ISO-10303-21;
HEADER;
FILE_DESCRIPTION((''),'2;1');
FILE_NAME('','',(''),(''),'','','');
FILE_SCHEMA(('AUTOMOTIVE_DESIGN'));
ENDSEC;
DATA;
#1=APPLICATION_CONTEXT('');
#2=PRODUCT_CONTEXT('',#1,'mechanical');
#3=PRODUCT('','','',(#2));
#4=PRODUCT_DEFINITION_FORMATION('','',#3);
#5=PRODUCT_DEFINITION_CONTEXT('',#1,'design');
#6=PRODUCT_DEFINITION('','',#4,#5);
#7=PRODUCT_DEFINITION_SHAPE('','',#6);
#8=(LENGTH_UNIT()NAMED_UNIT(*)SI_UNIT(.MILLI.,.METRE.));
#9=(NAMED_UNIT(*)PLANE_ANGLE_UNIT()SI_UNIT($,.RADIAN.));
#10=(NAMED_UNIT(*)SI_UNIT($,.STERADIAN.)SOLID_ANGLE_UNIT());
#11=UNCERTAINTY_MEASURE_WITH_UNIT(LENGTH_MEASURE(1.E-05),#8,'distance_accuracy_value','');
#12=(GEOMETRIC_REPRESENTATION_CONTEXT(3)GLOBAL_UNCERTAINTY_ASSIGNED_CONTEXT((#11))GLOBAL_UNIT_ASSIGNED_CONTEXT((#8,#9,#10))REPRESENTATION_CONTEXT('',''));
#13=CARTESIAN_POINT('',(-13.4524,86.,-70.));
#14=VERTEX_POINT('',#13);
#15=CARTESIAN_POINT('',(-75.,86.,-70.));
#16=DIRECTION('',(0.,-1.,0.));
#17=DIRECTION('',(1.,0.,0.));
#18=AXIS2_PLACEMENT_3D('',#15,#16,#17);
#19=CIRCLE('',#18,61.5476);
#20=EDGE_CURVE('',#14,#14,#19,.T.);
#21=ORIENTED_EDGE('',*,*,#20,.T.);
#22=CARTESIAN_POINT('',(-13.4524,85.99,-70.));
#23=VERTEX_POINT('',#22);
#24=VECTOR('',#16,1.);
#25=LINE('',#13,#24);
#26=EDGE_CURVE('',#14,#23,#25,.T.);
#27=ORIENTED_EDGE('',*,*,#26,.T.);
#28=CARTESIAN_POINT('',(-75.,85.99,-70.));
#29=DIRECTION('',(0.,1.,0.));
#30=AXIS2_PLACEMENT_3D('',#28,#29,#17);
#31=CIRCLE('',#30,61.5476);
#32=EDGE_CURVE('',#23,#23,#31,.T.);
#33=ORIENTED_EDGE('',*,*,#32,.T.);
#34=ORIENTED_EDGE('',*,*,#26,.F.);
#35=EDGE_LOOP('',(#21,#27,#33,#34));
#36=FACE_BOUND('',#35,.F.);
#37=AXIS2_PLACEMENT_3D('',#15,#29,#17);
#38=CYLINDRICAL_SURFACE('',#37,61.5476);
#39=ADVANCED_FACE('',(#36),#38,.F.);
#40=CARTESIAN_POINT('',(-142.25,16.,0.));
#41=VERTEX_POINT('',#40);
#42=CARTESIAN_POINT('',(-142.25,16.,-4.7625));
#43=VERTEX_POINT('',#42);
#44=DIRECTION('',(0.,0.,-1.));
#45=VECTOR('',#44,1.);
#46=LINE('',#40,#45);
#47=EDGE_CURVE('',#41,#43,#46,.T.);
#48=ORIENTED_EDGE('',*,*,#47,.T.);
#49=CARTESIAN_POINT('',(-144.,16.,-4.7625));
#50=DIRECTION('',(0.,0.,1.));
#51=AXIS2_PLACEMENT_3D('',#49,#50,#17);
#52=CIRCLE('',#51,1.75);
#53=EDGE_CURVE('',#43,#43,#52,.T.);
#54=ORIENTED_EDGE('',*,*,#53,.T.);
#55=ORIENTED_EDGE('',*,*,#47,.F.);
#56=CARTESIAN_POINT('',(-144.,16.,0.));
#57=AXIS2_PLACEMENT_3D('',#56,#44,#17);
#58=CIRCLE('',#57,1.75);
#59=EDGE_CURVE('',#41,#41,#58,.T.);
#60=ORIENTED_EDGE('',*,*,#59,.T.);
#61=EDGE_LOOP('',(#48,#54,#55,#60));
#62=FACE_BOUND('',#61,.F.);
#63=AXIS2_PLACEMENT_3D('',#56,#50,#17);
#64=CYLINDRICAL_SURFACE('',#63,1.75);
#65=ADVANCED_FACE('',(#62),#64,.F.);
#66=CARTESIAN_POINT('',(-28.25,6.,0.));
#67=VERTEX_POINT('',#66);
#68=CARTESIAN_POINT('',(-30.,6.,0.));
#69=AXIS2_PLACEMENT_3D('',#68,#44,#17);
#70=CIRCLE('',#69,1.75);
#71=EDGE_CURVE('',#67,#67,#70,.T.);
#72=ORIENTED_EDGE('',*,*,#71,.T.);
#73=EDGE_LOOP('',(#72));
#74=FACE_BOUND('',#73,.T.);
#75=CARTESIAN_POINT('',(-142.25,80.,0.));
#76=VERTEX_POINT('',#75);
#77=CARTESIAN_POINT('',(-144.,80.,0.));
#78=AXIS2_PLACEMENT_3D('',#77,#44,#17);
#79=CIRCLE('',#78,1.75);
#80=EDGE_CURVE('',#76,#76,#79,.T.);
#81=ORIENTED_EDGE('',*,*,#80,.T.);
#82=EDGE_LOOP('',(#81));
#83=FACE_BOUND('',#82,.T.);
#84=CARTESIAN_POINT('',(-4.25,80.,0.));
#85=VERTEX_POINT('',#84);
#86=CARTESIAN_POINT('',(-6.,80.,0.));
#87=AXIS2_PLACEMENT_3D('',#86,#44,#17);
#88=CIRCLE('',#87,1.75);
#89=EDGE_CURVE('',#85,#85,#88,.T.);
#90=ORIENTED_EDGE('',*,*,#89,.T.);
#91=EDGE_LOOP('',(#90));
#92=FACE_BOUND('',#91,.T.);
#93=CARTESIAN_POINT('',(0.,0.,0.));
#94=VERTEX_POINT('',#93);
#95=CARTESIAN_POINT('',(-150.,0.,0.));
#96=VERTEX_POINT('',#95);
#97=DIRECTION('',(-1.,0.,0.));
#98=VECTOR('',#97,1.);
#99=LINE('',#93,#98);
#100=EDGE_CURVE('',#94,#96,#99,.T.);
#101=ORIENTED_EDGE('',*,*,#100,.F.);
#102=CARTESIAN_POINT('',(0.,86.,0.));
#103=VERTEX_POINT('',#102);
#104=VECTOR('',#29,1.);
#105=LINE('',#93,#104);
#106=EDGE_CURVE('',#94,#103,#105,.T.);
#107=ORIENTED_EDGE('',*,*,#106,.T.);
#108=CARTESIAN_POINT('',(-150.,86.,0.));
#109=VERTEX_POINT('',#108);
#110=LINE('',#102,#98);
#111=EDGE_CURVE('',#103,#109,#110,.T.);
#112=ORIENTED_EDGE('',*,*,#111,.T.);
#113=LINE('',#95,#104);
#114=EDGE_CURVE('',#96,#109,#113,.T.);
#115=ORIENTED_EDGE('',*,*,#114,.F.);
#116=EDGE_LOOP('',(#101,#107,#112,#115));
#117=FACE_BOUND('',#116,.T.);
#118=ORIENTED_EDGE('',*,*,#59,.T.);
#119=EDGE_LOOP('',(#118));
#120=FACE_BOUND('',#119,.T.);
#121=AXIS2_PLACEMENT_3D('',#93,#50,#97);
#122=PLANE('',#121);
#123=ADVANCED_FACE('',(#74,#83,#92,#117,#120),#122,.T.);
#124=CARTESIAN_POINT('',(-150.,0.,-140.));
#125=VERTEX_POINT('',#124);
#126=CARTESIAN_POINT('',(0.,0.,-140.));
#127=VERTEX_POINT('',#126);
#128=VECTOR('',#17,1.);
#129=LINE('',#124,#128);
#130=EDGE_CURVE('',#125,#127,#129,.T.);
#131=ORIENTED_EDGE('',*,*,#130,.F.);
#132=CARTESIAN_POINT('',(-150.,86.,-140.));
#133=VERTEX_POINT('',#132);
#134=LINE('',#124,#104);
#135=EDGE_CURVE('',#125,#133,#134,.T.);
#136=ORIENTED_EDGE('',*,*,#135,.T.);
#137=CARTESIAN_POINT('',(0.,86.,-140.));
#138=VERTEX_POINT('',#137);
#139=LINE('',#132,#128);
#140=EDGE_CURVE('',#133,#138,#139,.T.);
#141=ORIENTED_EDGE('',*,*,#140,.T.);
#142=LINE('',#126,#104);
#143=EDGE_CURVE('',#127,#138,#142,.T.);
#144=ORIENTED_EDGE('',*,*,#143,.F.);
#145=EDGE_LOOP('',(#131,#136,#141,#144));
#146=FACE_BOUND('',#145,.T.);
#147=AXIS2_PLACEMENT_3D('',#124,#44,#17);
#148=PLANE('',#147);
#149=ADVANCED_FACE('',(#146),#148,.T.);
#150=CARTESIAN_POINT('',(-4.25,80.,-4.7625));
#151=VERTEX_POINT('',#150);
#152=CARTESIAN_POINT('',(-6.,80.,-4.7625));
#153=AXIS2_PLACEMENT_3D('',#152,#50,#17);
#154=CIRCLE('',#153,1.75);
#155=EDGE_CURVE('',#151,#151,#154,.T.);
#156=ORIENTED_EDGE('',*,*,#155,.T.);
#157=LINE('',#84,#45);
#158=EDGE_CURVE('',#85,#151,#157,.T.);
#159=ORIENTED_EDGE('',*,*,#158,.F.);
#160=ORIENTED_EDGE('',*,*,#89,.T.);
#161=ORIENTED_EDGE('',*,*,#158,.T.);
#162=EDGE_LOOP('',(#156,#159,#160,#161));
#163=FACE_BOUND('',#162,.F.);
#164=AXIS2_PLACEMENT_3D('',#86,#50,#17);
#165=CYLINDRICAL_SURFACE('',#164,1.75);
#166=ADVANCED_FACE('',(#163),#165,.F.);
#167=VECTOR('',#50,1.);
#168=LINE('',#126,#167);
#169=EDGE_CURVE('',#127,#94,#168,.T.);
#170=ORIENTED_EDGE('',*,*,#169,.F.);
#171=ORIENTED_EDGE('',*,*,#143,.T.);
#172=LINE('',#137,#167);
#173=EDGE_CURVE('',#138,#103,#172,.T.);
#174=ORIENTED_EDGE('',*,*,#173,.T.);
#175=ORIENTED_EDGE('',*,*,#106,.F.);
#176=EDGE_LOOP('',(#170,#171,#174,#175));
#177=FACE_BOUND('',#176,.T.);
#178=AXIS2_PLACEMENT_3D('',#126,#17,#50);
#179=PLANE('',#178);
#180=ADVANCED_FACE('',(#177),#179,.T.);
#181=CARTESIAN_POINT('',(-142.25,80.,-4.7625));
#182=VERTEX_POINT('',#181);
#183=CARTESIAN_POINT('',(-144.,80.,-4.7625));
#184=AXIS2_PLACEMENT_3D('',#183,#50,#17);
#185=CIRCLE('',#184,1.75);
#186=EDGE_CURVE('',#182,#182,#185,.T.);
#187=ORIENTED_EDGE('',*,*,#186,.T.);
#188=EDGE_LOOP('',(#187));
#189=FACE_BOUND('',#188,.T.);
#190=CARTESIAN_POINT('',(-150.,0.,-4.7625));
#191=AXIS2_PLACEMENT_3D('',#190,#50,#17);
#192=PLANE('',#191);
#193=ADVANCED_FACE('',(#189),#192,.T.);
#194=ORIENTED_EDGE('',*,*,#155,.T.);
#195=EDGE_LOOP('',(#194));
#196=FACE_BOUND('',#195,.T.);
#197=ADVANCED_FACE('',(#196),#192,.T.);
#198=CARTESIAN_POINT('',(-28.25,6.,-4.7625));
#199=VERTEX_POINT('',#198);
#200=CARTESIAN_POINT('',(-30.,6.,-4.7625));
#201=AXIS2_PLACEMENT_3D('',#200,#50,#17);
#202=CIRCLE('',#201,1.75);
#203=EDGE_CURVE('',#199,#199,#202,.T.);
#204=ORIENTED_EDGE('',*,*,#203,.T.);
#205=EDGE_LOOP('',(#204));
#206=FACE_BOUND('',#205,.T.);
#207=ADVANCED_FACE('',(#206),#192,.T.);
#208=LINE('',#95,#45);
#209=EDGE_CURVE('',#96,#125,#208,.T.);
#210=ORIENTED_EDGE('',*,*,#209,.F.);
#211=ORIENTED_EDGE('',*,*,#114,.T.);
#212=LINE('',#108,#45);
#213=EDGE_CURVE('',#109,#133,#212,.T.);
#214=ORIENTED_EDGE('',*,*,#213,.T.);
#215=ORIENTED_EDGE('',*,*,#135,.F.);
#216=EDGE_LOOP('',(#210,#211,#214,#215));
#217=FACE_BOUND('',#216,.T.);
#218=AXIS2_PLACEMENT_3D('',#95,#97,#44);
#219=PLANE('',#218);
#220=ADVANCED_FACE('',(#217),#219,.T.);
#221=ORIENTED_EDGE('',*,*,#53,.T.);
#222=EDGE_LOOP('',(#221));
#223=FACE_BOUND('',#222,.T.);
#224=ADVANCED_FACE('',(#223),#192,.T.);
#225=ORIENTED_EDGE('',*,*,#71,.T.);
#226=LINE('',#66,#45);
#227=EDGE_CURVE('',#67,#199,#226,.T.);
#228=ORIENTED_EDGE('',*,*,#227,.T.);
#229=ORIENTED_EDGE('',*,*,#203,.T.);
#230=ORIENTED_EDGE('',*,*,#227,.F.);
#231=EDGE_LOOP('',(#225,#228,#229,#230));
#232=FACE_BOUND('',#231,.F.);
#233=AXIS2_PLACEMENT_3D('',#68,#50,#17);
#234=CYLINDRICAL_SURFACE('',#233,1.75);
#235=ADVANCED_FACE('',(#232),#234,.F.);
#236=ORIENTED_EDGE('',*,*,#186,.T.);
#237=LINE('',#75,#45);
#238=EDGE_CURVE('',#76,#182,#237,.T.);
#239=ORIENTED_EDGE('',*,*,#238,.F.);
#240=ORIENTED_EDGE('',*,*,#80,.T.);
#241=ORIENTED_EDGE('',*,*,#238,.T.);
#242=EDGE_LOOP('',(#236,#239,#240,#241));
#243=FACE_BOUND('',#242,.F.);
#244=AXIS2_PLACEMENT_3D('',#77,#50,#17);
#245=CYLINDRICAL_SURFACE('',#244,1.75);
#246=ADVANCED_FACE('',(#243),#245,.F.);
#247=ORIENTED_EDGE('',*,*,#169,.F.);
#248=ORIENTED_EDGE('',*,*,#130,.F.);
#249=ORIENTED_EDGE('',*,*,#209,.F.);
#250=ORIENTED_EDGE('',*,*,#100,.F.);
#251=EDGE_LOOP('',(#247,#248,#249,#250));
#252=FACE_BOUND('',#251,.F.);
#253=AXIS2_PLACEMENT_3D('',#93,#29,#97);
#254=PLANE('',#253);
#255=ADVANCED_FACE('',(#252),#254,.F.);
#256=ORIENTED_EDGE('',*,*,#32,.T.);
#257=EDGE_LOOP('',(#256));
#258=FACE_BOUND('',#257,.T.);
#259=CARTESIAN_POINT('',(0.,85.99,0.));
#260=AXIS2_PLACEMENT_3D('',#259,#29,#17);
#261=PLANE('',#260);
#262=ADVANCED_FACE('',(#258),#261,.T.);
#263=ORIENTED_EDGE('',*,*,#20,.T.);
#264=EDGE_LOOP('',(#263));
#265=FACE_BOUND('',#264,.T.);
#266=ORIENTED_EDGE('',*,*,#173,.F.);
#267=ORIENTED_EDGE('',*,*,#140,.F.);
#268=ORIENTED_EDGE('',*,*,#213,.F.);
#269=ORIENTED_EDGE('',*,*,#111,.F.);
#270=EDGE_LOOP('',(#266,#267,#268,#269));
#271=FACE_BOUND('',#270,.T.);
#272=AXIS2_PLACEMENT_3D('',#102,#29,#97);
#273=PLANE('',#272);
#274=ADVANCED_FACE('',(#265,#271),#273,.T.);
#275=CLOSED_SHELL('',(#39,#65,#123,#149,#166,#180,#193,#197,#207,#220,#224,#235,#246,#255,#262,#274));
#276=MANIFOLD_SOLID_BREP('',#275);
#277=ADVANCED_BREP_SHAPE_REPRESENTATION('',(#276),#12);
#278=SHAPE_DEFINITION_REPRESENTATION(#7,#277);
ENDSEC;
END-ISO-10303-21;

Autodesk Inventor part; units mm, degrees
ref_plane "YZ Plane" through (0, 0, 0) normal (1, 0, 0) x (0, 1, 0)
ref_plane "XZ Plane" through (0, 0, 0) normal (0, 1, 0) x (-1, 0, 0)
ref_plane "XY Plane" through (0, 0, 0) normal (0, 0, 1) x (1, 0, 0)
sketch "Sketch1" plane through (0, 0, 0) normal (0, 1, 0) x (-1, 0, 0)
  line L0 (0, 0) -> (150, 0)
  line L1 (150, 0) -> (150, -140)
  line L2 (150, -140) -> (0, -140)
  line L3 (0, -140) -> (0, 0)
  dimension "d0" = 140
  dimension "d2" = 150
extrude "Extrusion1" add sketch "Sketch1" along normal blind 86
sketch "Sketch2" plane through (-150, 0, 0) normal (0, 0, 1) x (1, 0, 0)
  line L0 (150, 0) -> (0, 0) projected
  line L1 (0, 0) -> (6, 0)
  line L2 (6, 0) -> (6, 16)
  line L3 (6, 16) -> (6, 80)
  line L4 (6, 80) -> (144, 80)
  line L5 (0, 0) -> (0, 86) projected
  line L6 (6, 80) -> (144, 80) construction
  circle A0 centre (6, 16) radius 1.75
  line L7 (120, 0) -> (120, 6)
  circle A1 centre (120, 6) radius 1.75
  circle A2 centre (6, 80) radius 1.75
  circle A3 centre (144, 80) radius 1.75
  dimension "d5" = 6
  dimension "d6" = 16
  dimension "d7" = 64
  dimension "d8" = 138
  dimension "d9" = 360
  dimension "d10" = 6
  dimension "d11" = 114
  dimension "d12" = 74
  dimension "d13" = 3.5
  dimension "d14" = 3.5
  dimension "d15" = 3.5
  dimension "d16" = 3.5
extrude "Extrusion2" cut sketch "Sketch2" against normal blind 4.7625
sketch "Sketch3" plane through (0, 86, 0) normal (0, 1, 0) x (1, 0, 0)
  line L0 (-150, 140) -> (-150, 0) projected
  line L1 (-150, 140) -> (-75, 140)
  line L2 (-75, 140) -> (-75, 70)
  line L3 (-75, 70) -> (-150, 70)
  line L4 (-150, 70) -> (-150, 140)
  line L5 (0, 0) -> (0, 140) projected
  line L6 (-150, 140) -> (0, 140)
  line L7 (0, 140) -> (0, 0)
  line L8 (0, 0) -> (-150, 0)
  line L9 (-150, 0) -> (-150, 140)
  circle A0 centre (-75, 70) radius 61.5476
  dimension "d19" = 70
  dimension "d20" = 140
  dimension "d21" = 150
  dimension "d22" = 75
extrude "Extrusion3" cut sketch "Sketch3" against normal blind 0.01 contours A0 L2 L3 | L3 L2 A0
equation "\"d14\" = d13"
equation "\"d15\" = d13"
equation "\"d16\" = d13"
equation "\"d19\" = 0.5 * d20"
equation "\"d22\" = 0.5 * d21"
properties part number "PSU"
